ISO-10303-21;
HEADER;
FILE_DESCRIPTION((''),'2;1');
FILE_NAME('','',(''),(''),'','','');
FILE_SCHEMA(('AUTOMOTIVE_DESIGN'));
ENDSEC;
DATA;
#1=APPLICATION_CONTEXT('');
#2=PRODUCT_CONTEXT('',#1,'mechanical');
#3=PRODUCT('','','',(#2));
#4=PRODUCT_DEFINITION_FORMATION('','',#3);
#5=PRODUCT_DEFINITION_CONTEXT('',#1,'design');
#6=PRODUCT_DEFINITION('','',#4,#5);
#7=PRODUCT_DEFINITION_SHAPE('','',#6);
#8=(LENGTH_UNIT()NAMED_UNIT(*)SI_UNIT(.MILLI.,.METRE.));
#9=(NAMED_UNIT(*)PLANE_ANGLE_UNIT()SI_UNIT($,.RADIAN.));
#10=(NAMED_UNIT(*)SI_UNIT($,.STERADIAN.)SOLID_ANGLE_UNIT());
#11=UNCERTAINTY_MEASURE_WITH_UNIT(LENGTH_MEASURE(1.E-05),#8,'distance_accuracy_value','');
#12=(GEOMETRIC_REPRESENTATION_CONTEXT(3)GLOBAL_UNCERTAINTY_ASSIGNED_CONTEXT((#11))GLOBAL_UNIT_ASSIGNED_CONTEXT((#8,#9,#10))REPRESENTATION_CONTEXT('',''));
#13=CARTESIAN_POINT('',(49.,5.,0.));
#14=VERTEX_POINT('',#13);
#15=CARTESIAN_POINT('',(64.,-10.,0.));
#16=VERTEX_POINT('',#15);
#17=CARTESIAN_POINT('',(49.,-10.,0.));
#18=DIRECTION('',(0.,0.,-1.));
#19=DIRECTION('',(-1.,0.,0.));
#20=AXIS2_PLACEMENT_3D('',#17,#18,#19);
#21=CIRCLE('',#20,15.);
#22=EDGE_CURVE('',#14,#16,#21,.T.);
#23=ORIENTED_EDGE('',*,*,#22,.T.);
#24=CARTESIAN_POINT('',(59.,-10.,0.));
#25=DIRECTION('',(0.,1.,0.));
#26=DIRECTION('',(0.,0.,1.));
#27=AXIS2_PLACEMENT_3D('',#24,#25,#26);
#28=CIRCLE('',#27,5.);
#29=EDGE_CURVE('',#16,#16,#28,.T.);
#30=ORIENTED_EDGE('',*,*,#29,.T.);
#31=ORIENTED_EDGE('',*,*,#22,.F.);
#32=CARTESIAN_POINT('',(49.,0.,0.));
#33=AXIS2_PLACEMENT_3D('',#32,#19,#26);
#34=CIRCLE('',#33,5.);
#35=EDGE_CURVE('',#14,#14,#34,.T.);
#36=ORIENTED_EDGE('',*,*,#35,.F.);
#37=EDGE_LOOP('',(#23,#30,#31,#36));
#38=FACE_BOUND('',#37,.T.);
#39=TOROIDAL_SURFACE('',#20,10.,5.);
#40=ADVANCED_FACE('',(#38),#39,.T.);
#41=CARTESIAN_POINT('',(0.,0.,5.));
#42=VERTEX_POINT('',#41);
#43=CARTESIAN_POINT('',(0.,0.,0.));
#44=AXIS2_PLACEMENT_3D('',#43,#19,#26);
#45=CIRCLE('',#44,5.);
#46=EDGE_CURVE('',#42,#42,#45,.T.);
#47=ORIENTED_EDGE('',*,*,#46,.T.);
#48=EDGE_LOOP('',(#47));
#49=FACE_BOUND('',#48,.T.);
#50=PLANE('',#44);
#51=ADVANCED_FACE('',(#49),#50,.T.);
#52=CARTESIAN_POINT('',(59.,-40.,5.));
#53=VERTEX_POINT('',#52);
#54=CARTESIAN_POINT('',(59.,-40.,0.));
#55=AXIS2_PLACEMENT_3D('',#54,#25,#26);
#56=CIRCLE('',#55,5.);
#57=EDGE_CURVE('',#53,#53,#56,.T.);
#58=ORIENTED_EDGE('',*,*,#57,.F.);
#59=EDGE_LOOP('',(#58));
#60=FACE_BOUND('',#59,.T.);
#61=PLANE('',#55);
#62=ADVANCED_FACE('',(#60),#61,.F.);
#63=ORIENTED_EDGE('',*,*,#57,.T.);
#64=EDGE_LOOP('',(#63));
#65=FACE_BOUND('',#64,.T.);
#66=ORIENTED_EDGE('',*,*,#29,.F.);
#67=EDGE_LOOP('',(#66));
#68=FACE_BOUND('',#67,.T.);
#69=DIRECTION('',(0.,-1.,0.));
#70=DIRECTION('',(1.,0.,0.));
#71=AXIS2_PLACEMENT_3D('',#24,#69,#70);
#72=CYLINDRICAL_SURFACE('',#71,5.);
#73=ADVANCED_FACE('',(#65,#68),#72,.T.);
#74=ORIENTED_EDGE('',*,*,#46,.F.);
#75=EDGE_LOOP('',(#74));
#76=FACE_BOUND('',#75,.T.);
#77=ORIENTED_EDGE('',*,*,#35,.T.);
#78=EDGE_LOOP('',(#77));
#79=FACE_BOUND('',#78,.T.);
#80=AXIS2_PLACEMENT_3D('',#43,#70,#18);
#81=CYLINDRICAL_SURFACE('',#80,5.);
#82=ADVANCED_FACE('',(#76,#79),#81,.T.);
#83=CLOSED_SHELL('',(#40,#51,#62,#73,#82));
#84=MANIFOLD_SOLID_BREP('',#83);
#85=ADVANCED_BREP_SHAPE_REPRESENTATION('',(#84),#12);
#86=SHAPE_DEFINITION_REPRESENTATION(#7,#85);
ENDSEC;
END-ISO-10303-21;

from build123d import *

# Parameters (mm, degrees)
SWEEP1_PROFILE_R = 5


with BuildPart() as part:
    # Sweep1: sweep along a path in Schizzo1
    with BuildLine(Plane.XY) as sweep1_path:
        Line((0, 0), (49, 0))
        ThreePointArc((49, 0), (56.071067812, -2.928932188), (59, -10))
        Line((59, -10), (59, -40))
    # Sweep1 profile (on start of the path) → Sweep1 (sweep)
    with BuildSketch(Plane(origin=(0, 0, 0), x_dir=(0, 0, 1), z_dir=(1, 0, 0))):
        Circle(SWEEP1_PROFILE_R)
    sweep(path=sweep1_path.line)


solid = part.part
